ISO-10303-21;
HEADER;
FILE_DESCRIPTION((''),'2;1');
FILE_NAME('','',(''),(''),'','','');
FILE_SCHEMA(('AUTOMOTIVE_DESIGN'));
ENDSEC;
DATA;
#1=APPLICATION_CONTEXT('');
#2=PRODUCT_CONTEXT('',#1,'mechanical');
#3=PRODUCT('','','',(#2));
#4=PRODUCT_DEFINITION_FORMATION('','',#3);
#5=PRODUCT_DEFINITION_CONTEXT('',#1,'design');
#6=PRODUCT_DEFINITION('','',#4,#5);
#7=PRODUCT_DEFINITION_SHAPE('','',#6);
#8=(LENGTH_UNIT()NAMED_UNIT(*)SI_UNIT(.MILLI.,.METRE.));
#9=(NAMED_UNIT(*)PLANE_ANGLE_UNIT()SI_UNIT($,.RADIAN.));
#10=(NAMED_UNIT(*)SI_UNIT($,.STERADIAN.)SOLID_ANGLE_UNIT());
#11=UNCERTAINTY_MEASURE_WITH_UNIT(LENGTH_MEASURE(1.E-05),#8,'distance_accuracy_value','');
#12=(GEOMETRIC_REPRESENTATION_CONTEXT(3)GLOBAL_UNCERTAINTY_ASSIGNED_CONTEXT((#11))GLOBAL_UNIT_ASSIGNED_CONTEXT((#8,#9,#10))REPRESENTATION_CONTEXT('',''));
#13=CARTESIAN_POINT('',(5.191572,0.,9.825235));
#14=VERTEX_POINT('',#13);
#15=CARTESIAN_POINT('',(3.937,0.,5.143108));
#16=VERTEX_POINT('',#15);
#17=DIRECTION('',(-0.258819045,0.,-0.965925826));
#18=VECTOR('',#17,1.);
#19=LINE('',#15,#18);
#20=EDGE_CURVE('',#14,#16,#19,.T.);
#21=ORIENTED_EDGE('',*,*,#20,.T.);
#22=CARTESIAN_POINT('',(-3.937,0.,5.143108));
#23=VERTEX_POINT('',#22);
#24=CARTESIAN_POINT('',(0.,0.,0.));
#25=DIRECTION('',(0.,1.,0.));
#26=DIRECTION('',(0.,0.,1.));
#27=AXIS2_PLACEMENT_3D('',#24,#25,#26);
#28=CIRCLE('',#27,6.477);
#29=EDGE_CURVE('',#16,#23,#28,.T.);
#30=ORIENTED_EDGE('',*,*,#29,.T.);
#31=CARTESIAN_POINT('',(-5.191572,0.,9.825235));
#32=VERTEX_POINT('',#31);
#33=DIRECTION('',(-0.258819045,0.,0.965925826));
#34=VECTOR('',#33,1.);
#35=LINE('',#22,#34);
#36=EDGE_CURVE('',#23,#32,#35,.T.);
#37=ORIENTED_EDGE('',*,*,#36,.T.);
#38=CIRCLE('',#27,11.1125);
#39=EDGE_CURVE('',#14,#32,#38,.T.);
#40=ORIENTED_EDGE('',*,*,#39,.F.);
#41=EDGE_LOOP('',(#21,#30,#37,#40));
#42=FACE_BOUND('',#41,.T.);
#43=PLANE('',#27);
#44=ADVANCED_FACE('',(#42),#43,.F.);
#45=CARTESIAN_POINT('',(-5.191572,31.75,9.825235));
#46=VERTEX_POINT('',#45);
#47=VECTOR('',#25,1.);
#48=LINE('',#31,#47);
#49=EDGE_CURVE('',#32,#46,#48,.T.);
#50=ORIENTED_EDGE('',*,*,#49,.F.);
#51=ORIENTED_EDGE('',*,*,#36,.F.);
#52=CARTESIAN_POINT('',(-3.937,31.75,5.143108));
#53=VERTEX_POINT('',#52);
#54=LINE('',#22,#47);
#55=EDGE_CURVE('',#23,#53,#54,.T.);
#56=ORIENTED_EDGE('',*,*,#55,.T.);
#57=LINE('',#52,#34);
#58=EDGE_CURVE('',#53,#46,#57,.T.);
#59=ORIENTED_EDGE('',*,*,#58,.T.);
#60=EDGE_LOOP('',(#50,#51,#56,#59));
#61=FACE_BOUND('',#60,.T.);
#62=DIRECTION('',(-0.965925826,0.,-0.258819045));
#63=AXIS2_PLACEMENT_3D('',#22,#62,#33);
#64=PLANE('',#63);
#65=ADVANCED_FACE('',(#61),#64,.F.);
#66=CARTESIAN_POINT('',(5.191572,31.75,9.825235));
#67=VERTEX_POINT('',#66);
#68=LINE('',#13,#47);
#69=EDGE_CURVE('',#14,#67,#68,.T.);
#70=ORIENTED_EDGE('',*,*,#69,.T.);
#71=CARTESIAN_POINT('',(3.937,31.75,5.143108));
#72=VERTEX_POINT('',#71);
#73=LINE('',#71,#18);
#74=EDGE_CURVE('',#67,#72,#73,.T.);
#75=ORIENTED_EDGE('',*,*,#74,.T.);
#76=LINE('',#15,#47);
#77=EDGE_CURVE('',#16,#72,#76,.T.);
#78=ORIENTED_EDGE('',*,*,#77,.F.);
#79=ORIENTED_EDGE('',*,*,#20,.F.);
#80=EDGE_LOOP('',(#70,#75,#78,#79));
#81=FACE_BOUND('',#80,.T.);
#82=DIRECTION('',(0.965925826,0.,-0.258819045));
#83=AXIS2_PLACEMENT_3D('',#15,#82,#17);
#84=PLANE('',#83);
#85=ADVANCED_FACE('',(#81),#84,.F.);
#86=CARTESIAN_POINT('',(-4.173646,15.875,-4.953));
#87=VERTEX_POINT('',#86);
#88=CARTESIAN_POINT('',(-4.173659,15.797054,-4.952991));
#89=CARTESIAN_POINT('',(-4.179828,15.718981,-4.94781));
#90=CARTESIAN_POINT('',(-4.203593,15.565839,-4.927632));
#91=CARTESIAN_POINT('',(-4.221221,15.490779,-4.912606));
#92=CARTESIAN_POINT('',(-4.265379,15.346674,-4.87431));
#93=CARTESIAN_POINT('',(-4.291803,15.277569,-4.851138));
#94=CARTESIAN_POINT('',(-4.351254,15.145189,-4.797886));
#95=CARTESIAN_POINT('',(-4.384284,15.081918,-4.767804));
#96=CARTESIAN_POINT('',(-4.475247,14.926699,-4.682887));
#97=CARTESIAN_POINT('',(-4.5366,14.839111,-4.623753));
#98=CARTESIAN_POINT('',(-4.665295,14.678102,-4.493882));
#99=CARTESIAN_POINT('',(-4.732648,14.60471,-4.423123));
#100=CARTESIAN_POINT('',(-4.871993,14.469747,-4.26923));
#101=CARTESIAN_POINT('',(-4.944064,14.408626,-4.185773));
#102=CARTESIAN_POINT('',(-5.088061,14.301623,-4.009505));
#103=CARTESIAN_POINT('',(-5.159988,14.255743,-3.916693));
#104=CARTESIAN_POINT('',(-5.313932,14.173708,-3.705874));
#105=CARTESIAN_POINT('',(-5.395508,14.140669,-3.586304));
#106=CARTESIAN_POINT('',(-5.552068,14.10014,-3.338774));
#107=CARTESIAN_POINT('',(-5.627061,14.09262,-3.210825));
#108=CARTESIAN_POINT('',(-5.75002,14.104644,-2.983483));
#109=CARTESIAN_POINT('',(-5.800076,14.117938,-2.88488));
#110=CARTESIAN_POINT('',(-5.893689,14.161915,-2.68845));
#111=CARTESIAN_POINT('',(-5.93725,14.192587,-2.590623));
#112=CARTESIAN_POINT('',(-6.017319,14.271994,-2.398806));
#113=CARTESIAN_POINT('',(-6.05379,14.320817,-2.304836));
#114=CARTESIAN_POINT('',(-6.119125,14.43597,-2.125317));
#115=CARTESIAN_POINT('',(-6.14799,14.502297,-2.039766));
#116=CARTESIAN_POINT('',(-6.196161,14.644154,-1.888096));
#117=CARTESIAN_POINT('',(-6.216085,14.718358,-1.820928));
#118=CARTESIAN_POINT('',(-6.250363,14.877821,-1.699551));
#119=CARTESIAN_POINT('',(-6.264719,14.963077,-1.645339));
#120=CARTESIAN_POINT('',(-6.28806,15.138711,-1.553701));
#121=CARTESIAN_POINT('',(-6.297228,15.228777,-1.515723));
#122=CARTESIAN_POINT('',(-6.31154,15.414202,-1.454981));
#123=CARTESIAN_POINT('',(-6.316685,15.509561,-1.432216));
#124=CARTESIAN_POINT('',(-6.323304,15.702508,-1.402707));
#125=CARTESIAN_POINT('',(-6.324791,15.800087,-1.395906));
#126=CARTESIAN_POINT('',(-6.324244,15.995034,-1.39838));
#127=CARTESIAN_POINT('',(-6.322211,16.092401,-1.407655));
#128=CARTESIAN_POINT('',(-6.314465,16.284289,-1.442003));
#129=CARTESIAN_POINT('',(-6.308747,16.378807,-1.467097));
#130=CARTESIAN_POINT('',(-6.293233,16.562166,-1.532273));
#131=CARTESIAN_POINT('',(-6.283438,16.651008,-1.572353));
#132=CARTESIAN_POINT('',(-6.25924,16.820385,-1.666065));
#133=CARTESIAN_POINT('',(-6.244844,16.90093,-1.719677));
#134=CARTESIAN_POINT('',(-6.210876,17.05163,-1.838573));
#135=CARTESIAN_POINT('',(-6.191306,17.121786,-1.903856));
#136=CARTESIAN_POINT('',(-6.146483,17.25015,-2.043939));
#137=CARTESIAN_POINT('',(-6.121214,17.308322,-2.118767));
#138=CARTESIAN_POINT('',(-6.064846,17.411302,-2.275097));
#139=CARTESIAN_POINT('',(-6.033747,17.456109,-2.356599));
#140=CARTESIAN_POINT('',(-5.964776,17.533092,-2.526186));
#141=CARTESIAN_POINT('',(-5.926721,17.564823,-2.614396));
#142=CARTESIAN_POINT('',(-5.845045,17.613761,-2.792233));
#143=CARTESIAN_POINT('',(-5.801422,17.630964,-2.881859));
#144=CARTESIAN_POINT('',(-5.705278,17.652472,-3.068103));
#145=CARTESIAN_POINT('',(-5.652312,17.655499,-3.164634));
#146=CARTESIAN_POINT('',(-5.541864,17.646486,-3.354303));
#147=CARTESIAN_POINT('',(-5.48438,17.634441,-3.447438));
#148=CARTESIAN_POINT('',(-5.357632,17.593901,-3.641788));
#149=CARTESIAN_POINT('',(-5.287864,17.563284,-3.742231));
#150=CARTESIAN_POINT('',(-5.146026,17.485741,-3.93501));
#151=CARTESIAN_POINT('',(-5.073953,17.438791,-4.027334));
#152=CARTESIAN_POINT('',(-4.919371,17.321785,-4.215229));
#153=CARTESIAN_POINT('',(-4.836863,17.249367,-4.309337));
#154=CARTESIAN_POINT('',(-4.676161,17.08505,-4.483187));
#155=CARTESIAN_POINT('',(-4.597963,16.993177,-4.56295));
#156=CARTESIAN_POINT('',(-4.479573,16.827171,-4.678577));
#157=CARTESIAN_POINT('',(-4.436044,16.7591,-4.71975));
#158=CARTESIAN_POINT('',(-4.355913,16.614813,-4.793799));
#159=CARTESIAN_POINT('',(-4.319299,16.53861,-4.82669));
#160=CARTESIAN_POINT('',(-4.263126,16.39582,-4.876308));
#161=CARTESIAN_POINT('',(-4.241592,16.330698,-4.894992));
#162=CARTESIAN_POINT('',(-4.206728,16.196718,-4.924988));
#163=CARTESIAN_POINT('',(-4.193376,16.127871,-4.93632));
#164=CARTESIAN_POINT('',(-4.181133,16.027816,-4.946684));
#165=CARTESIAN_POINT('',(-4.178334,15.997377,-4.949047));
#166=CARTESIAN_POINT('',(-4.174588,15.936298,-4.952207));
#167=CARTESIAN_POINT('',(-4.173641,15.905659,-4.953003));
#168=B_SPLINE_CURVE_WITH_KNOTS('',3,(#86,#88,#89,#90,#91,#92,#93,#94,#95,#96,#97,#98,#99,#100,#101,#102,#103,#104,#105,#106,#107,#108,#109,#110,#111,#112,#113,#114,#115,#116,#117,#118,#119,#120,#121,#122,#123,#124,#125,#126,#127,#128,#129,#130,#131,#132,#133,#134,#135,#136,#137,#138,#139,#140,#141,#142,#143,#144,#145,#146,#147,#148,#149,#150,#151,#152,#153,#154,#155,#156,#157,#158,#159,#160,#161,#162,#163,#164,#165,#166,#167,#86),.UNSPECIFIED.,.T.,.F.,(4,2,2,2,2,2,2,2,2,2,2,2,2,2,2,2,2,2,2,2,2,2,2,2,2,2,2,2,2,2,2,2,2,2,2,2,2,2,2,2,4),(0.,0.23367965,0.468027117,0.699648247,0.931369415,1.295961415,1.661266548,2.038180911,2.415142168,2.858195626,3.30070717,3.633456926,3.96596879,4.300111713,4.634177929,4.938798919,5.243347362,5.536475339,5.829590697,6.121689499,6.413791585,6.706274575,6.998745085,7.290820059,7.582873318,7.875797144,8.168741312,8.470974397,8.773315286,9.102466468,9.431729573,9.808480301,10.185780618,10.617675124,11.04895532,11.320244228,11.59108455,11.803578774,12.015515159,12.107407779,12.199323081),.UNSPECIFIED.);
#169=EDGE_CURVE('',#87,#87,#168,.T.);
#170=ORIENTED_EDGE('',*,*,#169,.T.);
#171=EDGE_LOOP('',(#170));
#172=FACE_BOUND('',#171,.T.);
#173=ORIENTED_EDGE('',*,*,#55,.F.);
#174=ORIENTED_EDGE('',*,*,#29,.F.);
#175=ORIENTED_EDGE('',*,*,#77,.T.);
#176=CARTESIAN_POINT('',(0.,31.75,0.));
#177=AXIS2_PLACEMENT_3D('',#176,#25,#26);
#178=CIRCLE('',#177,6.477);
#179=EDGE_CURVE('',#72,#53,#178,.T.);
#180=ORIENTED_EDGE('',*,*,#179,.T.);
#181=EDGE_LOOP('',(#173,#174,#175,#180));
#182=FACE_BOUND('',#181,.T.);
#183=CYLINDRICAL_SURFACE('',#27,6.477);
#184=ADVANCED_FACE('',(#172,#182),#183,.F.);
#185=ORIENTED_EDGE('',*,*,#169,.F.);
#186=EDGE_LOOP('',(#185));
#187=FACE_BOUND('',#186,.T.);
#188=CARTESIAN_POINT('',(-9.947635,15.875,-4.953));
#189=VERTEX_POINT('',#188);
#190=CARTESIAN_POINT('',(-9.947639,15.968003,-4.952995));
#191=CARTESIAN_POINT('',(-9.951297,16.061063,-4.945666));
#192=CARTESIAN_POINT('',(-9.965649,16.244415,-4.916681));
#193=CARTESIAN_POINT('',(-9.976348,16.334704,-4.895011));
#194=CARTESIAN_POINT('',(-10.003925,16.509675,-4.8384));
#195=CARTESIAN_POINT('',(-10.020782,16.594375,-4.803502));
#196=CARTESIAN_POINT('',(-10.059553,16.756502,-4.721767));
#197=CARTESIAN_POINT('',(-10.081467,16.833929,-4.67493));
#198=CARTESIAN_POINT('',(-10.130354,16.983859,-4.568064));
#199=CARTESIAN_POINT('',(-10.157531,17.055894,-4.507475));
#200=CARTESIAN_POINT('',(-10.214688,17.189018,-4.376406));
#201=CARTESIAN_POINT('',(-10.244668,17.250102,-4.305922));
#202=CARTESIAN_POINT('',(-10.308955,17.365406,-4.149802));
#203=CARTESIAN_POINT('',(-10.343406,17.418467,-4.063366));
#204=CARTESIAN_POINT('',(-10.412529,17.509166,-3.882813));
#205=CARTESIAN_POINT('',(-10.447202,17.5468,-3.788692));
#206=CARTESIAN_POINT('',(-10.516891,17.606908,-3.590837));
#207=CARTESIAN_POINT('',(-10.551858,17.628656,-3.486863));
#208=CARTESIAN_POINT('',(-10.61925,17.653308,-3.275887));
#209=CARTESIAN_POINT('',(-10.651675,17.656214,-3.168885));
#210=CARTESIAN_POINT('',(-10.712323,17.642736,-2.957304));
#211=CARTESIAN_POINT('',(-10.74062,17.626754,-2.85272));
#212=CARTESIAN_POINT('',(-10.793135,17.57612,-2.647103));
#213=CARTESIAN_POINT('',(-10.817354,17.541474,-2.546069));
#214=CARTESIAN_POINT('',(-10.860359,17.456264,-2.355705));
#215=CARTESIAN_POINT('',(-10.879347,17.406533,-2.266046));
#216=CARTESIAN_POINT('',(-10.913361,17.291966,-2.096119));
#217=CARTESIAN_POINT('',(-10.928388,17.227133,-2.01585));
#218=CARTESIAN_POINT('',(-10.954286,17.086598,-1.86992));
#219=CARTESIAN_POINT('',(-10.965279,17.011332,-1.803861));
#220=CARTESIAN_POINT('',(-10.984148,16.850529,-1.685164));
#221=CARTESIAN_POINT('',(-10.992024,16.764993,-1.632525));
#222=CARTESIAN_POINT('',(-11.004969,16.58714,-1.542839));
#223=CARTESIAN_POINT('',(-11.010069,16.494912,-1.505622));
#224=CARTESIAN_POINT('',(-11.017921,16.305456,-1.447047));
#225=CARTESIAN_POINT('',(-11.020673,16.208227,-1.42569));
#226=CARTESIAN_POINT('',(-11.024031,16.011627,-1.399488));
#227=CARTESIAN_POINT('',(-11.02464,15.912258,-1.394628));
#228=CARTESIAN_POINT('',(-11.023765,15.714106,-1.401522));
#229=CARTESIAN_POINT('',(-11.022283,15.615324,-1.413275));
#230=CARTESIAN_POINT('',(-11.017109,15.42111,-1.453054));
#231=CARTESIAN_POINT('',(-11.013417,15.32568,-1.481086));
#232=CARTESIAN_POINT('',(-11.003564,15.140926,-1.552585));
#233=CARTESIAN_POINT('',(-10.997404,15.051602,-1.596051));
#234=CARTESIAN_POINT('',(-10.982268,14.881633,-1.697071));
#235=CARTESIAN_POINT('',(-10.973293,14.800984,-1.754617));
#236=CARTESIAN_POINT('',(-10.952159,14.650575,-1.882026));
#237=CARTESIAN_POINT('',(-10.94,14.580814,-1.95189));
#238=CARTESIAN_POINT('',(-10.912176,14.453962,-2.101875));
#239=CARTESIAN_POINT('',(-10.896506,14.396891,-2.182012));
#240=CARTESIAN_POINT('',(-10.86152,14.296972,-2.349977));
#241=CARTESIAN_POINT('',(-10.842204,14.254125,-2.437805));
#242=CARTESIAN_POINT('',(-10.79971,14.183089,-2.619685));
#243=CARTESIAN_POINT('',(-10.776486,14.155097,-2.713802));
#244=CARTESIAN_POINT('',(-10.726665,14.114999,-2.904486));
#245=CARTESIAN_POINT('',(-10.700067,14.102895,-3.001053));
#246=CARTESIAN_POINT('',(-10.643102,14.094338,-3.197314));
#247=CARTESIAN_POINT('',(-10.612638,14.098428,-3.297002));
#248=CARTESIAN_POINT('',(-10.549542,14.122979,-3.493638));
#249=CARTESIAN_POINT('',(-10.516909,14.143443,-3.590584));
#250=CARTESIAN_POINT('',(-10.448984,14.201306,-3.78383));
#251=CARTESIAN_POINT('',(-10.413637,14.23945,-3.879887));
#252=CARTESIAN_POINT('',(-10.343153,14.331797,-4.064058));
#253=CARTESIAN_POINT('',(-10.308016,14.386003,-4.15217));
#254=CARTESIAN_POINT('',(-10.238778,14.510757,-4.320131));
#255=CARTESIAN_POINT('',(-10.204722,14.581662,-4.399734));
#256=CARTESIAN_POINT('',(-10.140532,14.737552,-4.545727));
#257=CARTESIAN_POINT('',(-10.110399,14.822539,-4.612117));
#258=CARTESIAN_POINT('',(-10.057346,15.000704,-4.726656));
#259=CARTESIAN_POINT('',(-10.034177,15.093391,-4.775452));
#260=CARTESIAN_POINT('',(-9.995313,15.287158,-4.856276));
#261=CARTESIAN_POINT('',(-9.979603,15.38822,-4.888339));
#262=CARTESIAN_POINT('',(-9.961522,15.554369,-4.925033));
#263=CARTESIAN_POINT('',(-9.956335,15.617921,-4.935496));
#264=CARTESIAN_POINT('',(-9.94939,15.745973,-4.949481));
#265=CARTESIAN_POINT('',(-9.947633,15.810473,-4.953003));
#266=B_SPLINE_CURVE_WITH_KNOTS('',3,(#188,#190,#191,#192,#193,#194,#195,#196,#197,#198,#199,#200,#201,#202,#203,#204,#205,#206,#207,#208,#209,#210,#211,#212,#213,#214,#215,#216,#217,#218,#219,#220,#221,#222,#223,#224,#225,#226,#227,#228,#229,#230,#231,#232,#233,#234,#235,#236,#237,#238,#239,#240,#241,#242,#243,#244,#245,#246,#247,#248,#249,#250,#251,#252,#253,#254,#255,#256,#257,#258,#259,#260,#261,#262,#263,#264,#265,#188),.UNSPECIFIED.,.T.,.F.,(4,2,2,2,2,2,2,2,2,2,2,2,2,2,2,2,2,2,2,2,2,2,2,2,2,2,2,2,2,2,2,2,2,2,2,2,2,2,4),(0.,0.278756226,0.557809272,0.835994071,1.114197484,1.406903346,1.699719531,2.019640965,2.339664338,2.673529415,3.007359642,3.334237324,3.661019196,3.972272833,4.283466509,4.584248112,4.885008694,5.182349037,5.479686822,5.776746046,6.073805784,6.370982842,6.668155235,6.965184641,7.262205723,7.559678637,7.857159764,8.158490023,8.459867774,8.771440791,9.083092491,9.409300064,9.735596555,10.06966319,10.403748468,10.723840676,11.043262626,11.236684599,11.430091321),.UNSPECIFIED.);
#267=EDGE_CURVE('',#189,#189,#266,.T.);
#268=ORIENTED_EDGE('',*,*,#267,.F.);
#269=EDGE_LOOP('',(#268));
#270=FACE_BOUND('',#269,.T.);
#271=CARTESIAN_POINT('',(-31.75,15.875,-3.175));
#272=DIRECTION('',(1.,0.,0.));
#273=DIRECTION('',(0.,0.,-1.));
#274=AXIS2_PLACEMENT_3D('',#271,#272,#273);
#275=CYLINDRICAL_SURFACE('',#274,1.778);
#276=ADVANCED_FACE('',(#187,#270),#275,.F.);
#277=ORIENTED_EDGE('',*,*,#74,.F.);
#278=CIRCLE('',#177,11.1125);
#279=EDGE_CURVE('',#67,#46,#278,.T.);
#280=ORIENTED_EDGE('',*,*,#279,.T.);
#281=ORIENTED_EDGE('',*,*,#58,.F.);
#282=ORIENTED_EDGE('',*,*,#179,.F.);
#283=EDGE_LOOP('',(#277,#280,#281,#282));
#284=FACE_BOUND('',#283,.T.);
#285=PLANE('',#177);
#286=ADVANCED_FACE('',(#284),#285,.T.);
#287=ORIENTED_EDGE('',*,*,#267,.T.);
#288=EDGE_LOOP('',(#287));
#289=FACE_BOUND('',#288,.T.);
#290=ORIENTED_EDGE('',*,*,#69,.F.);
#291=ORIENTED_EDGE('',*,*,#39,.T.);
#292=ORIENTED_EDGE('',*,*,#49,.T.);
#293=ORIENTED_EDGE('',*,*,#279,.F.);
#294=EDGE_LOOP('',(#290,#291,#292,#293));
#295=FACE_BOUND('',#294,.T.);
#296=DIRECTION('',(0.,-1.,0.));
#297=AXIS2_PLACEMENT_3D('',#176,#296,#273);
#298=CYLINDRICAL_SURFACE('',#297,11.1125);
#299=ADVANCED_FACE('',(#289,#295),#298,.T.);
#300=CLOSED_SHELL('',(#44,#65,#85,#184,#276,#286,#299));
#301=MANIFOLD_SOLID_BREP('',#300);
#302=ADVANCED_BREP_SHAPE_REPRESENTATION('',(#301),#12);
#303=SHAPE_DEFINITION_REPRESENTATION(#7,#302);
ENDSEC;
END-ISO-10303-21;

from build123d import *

# Parameters (mm, degrees)
SKETCH1_R           = 11.1125
BOSS_EXTRUDE1_DEPTH = 31.75
CUT_EXTRUDE1_DEPTH  = 36.426512847
SKETCH3_R           = 1.778
CUT_EXTRUDE2_DEPTH  = 31.75


with BuildPart() as part:
    # Sketch1 → Boss-Extrude1 (new body)
    with BuildSketch(Plane(origin=(0, 0, 0), x_dir=(1, 0, 0), z_dir=(0, 1, 0))):
        with Locations(Location((0, 0, 0), (0, 0, 270))):
            Circle(SKETCH1_R)
    extrude(amount=BOSS_EXTRUDE1_DEPTH)

    # Sketch2 → Cut-Extrude1 (cut, through all)
    with BuildSketch(Plane(origin=(0, 31.75, 0), x_dir=(1, 0, 0), z_dir=(0, 1, 0))):
        with BuildLine():
            Line((-3.937, -5.14310801), (-5.191572052, -9.825234648))
            ThreePointArc((-5.191572052, -9.825234648), (0, -11.1125), (5.191572052, -9.825234648))
            Line((5.191572052, -9.825234648), (3.937, -5.14310801))
            ThreePointArc((3.937, -5.14310801), (0, 6.477), (-3.937, -5.14310801))
        make_face()
    extrude(amount=-CUT_EXTRUDE1_DEPTH, mode=Mode.SUBTRACT)

    # Sketch3 → Cut-Extrude2 (cut)
    with BuildSketch(Plane(origin=(0, 0, 0), x_dir=(0, 0, -1), z_dir=(1, 0, 0))):
        with Locations((3.175, 15.875)):
            Circle(SKETCH3_R)
    extrude(amount=-CUT_EXTRUDE2_DEPTH, mode=Mode.SUBTRACT)


solid = part.part
